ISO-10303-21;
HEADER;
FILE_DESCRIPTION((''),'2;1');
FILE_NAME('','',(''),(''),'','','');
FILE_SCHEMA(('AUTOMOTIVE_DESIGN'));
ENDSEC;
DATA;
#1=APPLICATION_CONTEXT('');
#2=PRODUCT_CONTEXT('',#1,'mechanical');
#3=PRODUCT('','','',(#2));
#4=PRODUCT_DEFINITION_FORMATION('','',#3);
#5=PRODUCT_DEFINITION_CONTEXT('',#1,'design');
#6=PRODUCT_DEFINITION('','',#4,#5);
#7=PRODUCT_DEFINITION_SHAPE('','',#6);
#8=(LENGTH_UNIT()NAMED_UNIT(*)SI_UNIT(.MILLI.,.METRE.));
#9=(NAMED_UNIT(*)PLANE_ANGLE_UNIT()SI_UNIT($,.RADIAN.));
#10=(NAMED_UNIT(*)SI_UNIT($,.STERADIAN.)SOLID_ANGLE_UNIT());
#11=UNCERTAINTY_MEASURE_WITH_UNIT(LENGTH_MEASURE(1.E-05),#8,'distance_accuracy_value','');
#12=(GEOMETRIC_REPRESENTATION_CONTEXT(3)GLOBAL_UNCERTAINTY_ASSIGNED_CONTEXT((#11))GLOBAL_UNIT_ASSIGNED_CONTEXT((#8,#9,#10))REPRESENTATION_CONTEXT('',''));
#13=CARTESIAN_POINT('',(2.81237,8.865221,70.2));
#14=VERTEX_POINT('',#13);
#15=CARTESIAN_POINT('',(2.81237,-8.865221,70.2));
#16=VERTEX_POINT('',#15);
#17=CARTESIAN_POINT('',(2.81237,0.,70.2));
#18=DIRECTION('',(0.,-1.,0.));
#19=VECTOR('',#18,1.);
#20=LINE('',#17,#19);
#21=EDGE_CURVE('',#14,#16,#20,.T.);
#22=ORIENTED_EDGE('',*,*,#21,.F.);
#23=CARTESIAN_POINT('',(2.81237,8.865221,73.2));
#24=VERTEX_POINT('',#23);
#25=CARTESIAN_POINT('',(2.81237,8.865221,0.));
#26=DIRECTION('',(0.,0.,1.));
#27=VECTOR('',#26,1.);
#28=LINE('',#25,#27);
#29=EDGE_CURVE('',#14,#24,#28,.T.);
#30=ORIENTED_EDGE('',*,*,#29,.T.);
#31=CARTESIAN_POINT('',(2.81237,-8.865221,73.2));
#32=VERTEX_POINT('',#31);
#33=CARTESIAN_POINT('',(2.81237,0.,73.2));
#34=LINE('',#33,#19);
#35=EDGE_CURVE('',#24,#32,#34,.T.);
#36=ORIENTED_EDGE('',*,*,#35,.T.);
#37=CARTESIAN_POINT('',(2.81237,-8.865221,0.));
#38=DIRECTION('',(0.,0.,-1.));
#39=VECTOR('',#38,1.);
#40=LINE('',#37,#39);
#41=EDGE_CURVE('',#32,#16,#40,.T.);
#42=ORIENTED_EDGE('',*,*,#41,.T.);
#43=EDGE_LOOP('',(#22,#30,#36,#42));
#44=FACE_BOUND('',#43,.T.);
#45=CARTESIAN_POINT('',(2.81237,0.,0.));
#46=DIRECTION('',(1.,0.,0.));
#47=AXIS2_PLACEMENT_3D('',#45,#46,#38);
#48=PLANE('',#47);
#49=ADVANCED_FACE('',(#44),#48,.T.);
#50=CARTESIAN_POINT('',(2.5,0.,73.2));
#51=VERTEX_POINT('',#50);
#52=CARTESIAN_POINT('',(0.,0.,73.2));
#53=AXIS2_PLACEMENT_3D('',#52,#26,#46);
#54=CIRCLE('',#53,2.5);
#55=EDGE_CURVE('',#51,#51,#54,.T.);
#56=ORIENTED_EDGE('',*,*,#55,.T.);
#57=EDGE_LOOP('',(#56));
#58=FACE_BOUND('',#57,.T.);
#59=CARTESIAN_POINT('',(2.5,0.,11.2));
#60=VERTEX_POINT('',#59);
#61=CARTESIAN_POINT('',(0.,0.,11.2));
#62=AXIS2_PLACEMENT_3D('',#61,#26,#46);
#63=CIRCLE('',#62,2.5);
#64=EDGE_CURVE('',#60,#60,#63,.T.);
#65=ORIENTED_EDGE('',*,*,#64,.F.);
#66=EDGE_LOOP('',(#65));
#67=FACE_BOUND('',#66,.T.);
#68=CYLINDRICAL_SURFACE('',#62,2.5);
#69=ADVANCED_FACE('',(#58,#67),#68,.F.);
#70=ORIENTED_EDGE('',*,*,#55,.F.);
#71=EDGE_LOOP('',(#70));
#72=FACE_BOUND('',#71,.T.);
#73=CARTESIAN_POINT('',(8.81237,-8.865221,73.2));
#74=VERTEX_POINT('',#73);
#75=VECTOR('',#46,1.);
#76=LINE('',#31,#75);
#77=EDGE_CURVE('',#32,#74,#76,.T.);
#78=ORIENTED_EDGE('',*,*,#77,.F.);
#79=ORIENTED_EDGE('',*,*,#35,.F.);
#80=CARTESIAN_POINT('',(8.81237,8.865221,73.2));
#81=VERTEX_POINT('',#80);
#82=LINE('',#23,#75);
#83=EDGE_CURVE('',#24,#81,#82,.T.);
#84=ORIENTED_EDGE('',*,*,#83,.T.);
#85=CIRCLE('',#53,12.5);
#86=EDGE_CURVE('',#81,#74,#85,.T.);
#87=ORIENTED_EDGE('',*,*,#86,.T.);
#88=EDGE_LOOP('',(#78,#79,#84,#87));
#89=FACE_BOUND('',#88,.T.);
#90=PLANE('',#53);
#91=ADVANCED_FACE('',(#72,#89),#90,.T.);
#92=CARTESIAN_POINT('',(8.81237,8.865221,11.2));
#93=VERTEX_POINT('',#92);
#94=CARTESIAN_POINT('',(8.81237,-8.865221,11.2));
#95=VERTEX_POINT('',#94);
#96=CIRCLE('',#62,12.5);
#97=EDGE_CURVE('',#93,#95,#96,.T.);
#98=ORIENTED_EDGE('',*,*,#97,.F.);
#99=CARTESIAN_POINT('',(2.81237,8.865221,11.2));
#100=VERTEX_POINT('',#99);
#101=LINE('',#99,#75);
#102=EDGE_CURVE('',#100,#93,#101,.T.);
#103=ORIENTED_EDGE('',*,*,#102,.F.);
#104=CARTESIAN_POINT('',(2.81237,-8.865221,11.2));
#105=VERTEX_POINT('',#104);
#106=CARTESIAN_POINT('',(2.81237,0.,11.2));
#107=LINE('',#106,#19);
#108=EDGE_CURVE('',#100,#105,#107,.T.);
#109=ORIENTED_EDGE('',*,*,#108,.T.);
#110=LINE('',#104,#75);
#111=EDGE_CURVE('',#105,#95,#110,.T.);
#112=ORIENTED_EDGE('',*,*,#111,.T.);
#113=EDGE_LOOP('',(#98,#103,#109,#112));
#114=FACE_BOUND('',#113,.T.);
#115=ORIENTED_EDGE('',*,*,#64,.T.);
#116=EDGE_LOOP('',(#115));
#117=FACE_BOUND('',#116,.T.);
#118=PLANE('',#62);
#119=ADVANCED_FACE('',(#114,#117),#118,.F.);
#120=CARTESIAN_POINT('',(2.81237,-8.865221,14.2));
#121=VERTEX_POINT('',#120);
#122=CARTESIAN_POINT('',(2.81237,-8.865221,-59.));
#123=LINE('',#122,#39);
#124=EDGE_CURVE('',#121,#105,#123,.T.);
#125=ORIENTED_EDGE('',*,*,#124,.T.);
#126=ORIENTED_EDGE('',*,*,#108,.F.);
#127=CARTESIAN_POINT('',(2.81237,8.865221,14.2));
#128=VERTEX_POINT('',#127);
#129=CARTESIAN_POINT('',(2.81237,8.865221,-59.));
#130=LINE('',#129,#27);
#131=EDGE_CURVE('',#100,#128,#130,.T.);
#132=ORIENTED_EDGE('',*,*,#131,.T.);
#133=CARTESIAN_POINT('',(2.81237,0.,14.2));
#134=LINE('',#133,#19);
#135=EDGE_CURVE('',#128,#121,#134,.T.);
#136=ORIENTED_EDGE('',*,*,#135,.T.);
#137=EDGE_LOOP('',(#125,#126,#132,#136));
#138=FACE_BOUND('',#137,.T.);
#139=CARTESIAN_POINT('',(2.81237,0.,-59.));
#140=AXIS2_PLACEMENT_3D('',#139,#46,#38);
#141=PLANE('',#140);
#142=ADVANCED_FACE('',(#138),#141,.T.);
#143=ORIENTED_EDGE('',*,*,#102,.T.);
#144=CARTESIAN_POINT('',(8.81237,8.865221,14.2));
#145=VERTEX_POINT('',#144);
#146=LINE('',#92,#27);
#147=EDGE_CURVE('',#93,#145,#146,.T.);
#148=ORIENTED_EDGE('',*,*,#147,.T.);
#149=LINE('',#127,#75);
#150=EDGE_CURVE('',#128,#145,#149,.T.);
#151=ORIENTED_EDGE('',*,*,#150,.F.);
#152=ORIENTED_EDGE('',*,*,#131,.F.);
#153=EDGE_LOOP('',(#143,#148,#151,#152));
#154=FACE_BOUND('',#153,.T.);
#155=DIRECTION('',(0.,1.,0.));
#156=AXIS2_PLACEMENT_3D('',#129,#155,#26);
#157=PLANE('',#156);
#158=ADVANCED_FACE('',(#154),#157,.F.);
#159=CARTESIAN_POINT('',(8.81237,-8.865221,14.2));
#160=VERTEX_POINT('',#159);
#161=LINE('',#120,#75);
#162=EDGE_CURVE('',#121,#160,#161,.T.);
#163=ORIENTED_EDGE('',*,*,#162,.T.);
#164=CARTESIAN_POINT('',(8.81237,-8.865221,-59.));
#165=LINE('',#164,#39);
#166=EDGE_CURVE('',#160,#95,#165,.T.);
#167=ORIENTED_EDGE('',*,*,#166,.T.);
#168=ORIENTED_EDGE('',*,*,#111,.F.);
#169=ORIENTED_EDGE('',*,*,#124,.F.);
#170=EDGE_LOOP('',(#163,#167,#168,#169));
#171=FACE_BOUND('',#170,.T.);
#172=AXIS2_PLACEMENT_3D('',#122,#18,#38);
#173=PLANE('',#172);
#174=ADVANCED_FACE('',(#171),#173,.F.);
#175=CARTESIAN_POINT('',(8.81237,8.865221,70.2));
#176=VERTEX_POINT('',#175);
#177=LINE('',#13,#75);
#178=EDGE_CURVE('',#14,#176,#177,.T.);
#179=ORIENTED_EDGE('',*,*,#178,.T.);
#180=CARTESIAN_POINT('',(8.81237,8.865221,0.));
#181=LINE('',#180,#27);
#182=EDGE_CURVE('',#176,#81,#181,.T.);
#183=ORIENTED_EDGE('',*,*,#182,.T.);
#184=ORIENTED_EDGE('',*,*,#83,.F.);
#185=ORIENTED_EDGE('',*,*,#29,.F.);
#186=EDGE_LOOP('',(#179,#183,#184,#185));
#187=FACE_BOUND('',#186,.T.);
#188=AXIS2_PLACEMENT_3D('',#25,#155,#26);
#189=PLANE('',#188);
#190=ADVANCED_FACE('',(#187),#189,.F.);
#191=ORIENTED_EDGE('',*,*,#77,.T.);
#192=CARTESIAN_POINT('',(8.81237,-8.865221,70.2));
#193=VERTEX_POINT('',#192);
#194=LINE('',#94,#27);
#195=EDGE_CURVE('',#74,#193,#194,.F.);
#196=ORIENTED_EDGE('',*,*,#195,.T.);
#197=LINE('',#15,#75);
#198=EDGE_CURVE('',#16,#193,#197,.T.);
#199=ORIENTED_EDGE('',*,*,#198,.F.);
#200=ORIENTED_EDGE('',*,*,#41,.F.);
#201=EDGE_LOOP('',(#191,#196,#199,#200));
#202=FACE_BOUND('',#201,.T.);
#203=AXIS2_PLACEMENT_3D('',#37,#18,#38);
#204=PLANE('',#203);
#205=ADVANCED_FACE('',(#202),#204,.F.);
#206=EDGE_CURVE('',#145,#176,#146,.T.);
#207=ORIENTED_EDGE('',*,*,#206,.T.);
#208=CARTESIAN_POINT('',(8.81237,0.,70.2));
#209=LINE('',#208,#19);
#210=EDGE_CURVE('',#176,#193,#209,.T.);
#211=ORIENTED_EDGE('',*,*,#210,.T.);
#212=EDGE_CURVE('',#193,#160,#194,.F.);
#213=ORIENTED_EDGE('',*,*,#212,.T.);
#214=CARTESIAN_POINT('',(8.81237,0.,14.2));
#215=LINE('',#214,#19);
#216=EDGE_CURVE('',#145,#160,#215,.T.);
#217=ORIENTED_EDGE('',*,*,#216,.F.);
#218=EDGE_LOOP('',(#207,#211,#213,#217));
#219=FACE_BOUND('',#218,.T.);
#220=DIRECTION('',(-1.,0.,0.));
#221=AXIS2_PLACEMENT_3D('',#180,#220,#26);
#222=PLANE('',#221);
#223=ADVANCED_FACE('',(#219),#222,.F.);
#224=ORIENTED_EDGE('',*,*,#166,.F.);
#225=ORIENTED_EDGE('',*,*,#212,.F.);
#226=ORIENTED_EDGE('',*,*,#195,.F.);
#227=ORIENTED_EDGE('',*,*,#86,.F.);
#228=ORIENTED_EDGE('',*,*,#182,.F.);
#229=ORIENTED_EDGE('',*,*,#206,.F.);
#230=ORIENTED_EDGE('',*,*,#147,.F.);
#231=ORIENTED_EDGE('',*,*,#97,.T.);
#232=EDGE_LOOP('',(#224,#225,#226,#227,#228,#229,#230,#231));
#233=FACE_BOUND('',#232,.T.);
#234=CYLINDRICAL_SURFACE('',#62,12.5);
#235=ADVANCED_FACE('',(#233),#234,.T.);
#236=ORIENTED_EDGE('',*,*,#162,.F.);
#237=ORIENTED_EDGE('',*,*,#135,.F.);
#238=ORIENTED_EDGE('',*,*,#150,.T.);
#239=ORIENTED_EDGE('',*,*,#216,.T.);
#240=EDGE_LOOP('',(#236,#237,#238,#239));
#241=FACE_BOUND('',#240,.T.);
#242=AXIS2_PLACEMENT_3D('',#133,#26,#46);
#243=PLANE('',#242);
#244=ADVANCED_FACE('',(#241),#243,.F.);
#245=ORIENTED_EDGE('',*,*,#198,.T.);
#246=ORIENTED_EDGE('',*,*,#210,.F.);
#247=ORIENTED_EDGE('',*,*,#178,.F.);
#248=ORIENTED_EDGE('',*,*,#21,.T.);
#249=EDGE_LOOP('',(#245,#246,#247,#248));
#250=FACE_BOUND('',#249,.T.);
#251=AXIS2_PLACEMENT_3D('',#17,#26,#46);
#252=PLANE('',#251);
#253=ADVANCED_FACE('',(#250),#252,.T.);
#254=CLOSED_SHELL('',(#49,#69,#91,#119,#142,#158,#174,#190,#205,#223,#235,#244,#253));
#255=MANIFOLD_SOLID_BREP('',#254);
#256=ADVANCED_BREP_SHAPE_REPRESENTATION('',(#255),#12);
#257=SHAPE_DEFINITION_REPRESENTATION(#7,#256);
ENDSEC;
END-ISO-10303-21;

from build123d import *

# Parameters (mm, degrees)
SKETCH_1_R               = 2.5
EXTRUDE_1_DEPTH          = 88.2
SKETCH_2_R               = 12.5
EXTRUDE_2_DEPTH          = 62
SKETCH_3_W               = 40
SKETCH_3_H               = 17.730441408
SKETCH_3_R               = 5
EXTRUDE_3_DEPTH          = 3
PATTERN_LINEAR_1_COUNT   = 2
PATTERN_LINEAR_1_PITCH   = 59
CUT_EXTRUDE_1_DEPTH      = 85.347436238
CUT_EXTRUDE_1_DEPTH_BACK = 85.347436238
SKETCH_6_W               = 31.187630179
SKETCH_6_H               = 17.730441408
CUT_EXTRUDE_7_DEPTH      = 6
PATTERN_LINEAR_3_COUNT   = 2
PATTERN_LINEAR_3_PITCH   = 59
CUT_EXTRUDE_8_DEPTH      = 92.595344354
SKETCH_10_W              = 11.2
SKETCH_10_H              = 5
CUT_EXTRUDE_9_DEPTH      = 78.257408107
SKETCH_11_R              = 2.5
CUT_EXTRUDE_10_DEPTH     = 65.470923679


with BuildPart() as part:
    # 草图1 → 凸台-拉伸1 (new body)
    with BuildSketch(Plane.XY):
        Circle(SKETCH_1_R)
    extrude(amount=EXTRUDE_1_DEPTH)

    # 草图2 → 凸台-拉伸2 (add)
    with BuildSketch(Plane.XY.offset(73.2)):
        Circle(SKETCH_2_R)
    extrude(amount=-EXTRUDE_2_DEPTH)

    # 草图3 → 凸台-拉伸3 (add)
    with BuildSketch(Plane.XY.offset(73.2)):
        with Locations((20, 0)):
            Rectangle(SKETCH_3_W, SKETCH_3_H)
        with Locations((32.640039451, 0)):
            Circle(SKETCH_3_R, mode=Mode.SUBTRACT)
    extrude_3 = extrude(amount=-EXTRUDE_3_DEPTH)

    # 阵列(线性)1: 凸台-拉伸3 ×2
    with Locations(*[(0, 0, -i * PATTERN_LINEAR_1_PITCH) for i in range(1, PATTERN_LINEAR_1_COUNT)]):
        add(extrude_3)

    # 草图6 → 切除-拉伸1 (cut, two sides: drawn at the far end of the back side and taken through both)
    with BuildSketch(Plane.XY.offset(73.2).offset(-CUT_EXTRUDE_1_DEPTH_BACK)):
        with Locations((24.406184911, 0)):
            Rectangle(SKETCH_6_W, SKETCH_6_H)
    extrude(amount=CUT_EXTRUDE_1_DEPTH + CUT_EXTRUDE_1_DEPTH_BACK, mode=Mode.SUBTRACT)

    # 草图8 → 切除-拉伸7 (cut)
    with BuildSketch(Plane(origin=(8.812369821, 0, 0), x_dir=(0, 0, -1), z_dir=(1, 0, 0))):
        Polygon((-70.2, 8.865220704), (-72.620989075, 8.865220704), (-73.2, 8.865220704), (-73.2, 6.367777059), (-73.2, -8.865220704), (-70.2, -8.865220704), align=None)
    cut_extrude_7 = extrude(amount=-CUT_EXTRUDE_7_DEPTH, mode=Mode.SUBTRACT)

    # 阵列(线性)3: 切除-拉伸7 ×2
    with Locations(*[(0, 0, -i * PATTERN_LINEAR_3_PITCH) for i in range(1, PATTERN_LINEAR_3_COUNT)]):
        add(cut_extrude_7, mode=Mode.SUBTRACT)

    # 草图9 → 切除-拉伸8 (cut, through all)
    with BuildSketch(Plane(origin=(8.812369821, 0, 0), x_dir=(0, 0, -1), z_dir=(1, 0, 0))):
        Polygon((-73.2, -2.531338833), (-73.2, 2.528560393), (-88.2, 2.5), (-88.2, -2.5), align=None)
    extrude(amount=-CUT_EXTRUDE_8_DEPTH, mode=Mode.SUBTRACT)

    # 草图10 → 切除-拉伸9 (cut, through all)
    with BuildSketch(Plane(origin=(8.812369821, 0, 0), x_dir=(0, 0, -1), z_dir=(1, 0, 0))):
        with Locations((-5.6, 0)):
            Rectangle(SKETCH_10_W, SKETCH_10_H)
    extrude(amount=-CUT_EXTRUDE_9_DEPTH, mode=Mode.SUBTRACT)

    # 草图11 → 切除-拉伸10 (cut, through all)
    with BuildSketch(Plane.XY.offset(73.2)):
        Circle(SKETCH_11_R)
    extrude(amount=-CUT_EXTRUDE_10_DEPTH, mode=Mode.SUBTRACT)


solid = part.part
